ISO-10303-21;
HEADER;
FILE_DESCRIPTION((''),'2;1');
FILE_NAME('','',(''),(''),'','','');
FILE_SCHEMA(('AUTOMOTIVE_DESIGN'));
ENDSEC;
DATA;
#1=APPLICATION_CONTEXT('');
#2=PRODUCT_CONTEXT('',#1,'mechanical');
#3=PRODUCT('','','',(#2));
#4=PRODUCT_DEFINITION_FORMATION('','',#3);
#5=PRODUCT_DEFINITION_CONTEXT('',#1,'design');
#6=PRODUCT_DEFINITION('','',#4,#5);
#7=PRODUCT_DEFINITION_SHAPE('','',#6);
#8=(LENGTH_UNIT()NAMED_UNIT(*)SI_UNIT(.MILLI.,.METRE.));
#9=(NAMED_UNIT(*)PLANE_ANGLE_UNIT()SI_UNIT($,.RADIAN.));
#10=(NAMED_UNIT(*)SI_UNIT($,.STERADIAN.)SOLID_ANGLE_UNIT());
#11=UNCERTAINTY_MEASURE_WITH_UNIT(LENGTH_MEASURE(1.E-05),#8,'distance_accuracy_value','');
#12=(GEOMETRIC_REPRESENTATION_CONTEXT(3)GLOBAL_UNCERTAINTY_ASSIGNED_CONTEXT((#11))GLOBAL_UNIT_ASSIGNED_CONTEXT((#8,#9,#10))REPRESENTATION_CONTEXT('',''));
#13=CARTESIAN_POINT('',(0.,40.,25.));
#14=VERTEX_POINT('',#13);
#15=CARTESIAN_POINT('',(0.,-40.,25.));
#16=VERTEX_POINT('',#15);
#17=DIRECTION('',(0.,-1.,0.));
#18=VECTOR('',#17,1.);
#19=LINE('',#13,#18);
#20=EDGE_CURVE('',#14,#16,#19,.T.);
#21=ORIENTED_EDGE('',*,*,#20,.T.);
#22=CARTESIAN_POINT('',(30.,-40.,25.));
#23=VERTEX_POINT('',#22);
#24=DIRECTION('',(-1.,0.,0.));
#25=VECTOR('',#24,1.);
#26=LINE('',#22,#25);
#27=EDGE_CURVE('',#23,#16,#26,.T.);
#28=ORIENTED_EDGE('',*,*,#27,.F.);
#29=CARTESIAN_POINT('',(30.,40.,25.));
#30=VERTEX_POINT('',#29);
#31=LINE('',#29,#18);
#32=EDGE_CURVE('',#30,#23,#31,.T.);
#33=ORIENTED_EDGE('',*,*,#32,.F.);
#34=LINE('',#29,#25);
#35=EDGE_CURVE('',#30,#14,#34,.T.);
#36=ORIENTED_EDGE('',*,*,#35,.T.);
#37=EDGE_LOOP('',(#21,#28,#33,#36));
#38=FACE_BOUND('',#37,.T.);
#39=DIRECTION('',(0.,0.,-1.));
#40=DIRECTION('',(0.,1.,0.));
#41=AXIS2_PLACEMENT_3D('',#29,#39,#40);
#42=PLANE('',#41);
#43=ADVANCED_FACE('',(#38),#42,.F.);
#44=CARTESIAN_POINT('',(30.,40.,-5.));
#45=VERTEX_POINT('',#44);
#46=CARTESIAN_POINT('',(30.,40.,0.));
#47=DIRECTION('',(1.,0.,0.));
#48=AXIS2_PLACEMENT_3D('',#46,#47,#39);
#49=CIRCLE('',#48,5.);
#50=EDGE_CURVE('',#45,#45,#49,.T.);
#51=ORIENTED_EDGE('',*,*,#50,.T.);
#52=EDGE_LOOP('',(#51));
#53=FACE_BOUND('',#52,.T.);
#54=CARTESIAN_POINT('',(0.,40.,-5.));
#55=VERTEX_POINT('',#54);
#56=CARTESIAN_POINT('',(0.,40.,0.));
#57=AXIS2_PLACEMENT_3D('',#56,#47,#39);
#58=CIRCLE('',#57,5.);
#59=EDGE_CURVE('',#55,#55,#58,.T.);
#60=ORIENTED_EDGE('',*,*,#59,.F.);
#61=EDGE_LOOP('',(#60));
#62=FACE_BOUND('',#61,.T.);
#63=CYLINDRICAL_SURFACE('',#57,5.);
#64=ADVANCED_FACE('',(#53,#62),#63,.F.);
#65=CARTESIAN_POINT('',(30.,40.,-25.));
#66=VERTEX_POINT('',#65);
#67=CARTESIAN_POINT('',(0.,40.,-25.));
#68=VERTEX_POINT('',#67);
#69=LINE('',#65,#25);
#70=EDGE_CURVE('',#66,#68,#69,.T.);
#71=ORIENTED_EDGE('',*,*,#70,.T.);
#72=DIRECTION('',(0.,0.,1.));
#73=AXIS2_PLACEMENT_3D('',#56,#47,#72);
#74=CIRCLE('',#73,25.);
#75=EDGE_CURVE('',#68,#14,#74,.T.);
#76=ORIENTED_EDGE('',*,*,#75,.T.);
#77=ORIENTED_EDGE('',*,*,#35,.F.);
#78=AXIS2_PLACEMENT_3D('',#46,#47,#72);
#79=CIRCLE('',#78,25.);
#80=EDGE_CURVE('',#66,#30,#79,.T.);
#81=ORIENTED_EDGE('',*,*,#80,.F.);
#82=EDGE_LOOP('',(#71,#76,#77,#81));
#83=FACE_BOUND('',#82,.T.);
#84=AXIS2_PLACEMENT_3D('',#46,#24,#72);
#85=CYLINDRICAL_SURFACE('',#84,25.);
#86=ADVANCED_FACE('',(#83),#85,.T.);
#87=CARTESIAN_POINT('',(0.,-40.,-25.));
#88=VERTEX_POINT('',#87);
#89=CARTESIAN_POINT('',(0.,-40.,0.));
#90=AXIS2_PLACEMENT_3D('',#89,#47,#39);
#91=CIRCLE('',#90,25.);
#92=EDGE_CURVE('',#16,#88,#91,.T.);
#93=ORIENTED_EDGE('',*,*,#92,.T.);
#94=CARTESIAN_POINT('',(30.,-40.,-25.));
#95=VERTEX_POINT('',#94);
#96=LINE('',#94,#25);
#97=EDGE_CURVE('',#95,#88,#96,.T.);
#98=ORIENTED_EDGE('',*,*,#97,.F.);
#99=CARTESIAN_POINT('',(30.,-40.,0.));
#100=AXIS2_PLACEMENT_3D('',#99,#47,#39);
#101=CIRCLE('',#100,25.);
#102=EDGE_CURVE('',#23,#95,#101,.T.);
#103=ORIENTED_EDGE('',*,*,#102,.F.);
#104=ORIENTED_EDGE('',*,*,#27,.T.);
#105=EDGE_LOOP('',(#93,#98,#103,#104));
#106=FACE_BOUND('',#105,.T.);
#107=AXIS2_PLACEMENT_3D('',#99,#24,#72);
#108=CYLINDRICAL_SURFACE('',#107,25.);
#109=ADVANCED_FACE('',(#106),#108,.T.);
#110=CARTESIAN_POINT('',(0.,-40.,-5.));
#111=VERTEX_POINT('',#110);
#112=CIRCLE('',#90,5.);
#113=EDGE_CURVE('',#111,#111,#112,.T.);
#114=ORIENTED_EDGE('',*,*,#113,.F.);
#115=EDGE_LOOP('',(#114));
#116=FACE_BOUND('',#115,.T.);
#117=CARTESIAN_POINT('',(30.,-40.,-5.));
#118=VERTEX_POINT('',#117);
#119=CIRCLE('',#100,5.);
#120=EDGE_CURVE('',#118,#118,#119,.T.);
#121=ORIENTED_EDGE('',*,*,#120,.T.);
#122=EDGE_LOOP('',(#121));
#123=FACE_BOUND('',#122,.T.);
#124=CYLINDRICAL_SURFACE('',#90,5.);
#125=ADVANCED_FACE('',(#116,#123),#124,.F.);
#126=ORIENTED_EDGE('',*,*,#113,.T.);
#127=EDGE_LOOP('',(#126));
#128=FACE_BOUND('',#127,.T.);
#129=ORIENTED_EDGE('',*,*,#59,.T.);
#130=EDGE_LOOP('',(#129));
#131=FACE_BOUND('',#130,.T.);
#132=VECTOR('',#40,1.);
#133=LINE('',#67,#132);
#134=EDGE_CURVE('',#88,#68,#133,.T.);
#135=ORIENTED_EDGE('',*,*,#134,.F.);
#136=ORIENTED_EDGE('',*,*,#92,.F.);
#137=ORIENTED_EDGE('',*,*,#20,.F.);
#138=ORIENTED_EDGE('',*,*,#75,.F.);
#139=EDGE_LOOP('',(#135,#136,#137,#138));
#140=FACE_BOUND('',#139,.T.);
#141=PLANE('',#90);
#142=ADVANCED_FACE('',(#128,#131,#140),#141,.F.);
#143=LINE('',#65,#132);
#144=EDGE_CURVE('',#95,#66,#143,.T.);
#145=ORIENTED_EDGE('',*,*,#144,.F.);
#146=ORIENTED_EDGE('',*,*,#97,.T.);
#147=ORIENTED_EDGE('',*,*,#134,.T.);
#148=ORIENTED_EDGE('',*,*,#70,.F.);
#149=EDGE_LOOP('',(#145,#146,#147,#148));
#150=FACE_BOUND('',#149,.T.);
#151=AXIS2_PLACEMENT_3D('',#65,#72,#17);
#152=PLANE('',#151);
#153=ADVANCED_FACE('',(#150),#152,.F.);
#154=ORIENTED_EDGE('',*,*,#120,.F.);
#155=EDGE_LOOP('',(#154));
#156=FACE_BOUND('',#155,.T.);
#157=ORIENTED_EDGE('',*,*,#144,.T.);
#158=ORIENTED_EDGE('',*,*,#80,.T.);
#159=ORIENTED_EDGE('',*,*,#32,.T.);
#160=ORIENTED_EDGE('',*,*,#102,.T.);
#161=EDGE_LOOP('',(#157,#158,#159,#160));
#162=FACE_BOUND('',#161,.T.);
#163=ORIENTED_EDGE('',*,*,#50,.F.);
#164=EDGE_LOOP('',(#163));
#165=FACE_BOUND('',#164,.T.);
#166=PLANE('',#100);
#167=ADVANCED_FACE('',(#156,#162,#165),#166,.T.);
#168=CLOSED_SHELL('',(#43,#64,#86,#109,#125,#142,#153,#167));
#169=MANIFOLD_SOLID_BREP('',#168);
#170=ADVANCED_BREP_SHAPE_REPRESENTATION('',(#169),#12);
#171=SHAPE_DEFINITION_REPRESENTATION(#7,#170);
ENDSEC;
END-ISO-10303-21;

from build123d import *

# Parameters (mm, degrees)
BOSS_EXTRUDE1_DEPTH = 30
SKETCH2_R           = 5
CUT_EXTRUDE1_DEPTH  = 30


with BuildPart() as part:
    # Sketch1 → Boss-Extrude1 (new body)
    with BuildSketch(Plane(origin=(0, 0, 0), x_dir=(0, 0, -1), z_dir=(1, 0, 0))):
        with BuildLine():
            Line((-25, 40), (-25, -40))
            ThreePointArc((-25, -40), (0, -65), (25, -40))
            Line((25, -40), (25, 40))
            ThreePointArc((25, 40), (0, 65), (-25, 40))
        make_face()
    extrude(amount=BOSS_EXTRUDE1_DEPTH)

    # Sketch2 → Cut-Extrude1 (cut)
    with BuildSketch(Plane(origin=(30, 0, 0), x_dir=(0, 0, -1), z_dir=(1, 0, 0))):
        with Locations((0, 40)):
            Circle(SKETCH2_R)
        with Locations((0, -40)):
            Circle(SKETCH2_R)
    extrude(amount=-CUT_EXTRUDE1_DEPTH, mode=Mode.SUBTRACT)


solid = part.part
